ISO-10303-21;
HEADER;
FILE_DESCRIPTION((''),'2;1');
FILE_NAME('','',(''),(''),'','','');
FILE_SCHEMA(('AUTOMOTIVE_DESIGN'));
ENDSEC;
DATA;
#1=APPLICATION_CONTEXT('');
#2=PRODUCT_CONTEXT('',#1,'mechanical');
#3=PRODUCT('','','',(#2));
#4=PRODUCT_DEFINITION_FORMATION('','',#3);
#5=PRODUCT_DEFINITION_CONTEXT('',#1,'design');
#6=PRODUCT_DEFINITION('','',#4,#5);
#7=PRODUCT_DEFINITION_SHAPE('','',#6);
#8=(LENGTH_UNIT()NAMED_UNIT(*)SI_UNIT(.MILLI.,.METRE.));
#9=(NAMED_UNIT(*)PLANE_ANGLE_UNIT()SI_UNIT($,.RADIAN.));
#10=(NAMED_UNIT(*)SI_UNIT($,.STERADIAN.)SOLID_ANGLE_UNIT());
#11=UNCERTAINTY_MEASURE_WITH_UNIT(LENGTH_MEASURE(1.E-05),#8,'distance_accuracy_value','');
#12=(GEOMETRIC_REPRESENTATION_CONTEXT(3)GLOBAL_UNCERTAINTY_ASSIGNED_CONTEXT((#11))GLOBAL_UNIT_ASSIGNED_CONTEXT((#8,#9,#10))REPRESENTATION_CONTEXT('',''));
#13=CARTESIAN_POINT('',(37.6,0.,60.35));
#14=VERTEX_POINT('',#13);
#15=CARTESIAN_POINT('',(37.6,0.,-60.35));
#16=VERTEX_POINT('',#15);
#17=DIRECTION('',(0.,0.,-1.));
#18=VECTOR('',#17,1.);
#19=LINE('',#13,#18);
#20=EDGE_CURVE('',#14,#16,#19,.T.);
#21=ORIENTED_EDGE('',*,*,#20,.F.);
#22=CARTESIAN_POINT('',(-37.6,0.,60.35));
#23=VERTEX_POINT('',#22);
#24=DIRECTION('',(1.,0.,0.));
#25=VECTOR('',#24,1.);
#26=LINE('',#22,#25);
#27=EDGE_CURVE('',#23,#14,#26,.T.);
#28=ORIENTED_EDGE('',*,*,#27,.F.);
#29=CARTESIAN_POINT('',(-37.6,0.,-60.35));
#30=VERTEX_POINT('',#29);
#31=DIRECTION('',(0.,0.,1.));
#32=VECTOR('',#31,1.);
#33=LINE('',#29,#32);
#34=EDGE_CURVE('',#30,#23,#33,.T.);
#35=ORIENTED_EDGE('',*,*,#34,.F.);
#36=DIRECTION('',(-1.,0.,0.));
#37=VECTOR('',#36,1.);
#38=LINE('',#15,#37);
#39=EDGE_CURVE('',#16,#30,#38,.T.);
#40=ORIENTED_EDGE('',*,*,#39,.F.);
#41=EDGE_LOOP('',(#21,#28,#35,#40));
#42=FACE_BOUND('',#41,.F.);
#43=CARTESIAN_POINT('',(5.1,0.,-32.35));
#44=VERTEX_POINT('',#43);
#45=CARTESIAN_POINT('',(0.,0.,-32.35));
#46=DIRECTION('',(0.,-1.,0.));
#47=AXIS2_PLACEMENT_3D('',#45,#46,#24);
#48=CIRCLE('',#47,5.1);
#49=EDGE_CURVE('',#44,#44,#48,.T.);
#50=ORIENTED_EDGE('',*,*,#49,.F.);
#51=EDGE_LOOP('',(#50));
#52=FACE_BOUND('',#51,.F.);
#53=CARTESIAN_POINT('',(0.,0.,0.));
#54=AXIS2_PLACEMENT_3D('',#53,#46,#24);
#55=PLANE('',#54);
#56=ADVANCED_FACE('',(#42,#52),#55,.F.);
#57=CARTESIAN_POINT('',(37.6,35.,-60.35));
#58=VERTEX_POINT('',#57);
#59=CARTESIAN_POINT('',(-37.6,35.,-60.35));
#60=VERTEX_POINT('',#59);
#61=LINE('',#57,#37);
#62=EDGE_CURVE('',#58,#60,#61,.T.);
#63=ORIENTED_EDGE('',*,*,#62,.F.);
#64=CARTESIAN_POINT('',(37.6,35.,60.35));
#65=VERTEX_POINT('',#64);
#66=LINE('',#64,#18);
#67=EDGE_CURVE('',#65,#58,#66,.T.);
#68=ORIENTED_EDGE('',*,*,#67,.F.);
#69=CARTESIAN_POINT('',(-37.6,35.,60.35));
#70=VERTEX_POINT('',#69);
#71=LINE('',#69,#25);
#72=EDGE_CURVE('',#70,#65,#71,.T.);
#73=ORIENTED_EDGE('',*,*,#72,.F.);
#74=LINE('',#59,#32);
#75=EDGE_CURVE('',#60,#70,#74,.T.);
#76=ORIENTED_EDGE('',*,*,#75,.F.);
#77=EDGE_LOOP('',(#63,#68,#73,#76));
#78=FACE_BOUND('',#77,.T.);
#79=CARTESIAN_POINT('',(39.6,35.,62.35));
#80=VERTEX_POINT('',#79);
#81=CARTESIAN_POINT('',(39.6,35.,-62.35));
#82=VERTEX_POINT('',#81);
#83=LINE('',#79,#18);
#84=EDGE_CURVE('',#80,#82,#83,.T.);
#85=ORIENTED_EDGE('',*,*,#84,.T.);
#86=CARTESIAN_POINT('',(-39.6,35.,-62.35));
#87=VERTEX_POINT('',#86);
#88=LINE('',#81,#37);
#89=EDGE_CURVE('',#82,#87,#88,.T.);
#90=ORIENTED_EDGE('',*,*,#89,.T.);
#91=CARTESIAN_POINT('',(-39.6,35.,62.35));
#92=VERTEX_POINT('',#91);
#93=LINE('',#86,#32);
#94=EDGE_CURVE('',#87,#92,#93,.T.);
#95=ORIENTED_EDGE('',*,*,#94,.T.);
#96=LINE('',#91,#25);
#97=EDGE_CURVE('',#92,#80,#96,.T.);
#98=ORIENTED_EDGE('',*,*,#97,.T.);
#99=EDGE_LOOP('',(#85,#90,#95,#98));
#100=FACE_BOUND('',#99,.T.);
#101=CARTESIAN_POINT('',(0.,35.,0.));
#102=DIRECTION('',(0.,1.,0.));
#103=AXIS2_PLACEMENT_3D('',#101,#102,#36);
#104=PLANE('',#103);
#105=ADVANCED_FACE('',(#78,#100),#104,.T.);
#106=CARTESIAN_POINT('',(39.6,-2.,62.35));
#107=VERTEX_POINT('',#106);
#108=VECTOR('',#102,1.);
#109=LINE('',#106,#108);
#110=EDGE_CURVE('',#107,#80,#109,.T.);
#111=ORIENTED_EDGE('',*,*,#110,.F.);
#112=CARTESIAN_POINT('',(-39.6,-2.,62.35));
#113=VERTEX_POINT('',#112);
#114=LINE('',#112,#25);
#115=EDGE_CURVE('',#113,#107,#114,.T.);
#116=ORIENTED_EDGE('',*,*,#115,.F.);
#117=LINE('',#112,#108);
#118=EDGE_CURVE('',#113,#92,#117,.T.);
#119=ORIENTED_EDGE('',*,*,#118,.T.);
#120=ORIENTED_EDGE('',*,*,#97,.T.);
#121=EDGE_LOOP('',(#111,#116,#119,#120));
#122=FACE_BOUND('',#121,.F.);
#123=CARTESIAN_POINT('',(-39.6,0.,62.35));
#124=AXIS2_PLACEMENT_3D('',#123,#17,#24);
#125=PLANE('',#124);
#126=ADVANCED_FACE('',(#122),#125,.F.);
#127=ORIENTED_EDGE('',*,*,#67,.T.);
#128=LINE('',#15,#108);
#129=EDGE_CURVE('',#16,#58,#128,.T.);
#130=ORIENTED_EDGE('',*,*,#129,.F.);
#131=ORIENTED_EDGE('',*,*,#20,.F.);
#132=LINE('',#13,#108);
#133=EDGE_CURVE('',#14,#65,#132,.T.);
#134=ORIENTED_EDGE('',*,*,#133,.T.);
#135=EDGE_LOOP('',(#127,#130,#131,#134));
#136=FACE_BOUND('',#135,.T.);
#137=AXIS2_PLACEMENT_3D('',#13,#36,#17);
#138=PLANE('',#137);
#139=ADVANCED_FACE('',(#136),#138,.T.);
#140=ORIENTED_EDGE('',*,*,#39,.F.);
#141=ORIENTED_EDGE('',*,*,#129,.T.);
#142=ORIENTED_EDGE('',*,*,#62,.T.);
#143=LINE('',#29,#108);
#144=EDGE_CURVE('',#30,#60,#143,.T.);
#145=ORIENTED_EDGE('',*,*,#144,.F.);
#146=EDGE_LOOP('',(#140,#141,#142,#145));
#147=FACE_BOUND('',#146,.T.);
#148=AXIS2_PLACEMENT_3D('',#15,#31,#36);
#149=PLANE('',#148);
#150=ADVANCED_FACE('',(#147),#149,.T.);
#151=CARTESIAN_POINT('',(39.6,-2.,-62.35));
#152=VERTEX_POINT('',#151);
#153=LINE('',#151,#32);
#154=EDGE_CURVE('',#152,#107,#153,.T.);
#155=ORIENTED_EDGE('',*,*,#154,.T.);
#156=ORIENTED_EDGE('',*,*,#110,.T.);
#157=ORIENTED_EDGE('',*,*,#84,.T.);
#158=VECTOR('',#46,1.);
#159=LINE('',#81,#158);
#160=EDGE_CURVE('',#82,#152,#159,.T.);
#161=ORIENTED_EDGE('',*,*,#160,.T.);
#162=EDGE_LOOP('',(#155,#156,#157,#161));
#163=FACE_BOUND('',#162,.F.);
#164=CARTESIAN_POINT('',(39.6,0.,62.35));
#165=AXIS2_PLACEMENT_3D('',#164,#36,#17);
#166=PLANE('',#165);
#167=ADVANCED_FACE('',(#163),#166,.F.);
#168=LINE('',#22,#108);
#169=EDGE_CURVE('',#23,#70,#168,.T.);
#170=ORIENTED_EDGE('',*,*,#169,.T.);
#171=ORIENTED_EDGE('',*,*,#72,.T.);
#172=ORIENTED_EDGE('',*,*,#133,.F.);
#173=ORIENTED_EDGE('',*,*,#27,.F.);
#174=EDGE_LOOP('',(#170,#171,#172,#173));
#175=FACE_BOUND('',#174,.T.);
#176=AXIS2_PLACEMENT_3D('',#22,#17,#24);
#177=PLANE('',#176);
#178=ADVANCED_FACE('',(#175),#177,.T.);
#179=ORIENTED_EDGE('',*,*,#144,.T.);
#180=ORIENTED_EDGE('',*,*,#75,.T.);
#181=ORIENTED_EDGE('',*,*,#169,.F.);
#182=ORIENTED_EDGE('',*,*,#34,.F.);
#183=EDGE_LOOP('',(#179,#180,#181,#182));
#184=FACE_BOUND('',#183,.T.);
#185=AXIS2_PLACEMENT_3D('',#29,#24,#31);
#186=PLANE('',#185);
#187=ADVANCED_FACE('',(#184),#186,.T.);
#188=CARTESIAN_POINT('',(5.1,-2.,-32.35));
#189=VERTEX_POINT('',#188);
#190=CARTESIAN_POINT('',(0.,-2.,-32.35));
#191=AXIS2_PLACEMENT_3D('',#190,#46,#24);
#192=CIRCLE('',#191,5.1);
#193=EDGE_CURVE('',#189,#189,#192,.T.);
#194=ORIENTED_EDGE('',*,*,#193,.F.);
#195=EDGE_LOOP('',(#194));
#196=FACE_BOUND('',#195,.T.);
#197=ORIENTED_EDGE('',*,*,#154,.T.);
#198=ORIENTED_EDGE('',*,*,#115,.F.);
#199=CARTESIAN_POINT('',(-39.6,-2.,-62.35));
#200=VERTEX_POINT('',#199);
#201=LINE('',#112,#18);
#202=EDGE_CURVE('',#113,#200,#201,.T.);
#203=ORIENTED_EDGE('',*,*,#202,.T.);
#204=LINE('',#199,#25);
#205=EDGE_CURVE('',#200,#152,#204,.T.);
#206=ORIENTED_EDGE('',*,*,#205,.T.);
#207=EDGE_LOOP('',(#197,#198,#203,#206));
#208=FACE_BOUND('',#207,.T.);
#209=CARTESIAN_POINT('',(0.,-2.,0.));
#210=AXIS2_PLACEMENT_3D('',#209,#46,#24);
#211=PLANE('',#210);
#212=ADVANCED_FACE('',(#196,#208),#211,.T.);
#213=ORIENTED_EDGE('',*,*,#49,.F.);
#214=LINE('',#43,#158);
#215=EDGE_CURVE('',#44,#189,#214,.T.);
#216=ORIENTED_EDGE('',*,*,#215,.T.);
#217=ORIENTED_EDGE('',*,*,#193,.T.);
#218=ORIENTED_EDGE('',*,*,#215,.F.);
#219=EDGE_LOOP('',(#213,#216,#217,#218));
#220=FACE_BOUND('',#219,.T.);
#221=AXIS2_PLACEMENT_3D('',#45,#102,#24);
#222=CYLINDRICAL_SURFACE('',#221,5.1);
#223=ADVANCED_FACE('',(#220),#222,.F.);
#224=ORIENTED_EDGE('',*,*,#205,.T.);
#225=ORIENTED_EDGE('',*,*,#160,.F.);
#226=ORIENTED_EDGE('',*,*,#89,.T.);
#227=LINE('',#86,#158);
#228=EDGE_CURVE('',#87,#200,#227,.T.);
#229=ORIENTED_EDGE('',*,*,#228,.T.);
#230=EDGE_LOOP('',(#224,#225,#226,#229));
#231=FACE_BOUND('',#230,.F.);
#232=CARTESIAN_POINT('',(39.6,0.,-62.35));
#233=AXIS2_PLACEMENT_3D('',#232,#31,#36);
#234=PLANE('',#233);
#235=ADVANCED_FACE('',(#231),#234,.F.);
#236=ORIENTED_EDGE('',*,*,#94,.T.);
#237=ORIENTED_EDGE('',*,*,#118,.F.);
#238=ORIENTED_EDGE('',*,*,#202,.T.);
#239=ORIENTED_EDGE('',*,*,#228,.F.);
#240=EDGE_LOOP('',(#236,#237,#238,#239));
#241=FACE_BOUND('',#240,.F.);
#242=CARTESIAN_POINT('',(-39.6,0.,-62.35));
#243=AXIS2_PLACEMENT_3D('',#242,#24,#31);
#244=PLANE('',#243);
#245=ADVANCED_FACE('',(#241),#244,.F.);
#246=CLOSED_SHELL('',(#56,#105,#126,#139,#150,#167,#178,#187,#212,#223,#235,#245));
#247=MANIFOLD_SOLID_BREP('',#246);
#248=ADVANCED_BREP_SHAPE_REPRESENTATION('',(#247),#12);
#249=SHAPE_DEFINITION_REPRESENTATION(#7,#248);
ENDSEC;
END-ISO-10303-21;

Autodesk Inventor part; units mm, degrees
ref_plane "YZ Plane" through (0, 0, 0) normal (1, 0, 0) x (0, 1, 0)
ref_plane "XZ Plane" through (0, 0, 0) normal (0, 1, 0) x (-1, 0, 0)
ref_plane "XY Plane" through (0, 0, 0) normal (0, 0, 1) x (1, 0, 0)
sketch "Sketch1" plane through (0, 0, 0) normal (0, 1, 0) x (-1, 0, 0)
  line L0 (37.6, 60.35) -> (-37.6, 60.35)
  line L1 (-37.6, 60.35) -> (-37.6, -60.35)
  line L2 (-37.6, -60.35) -> (37.6, -60.35)
  line L3 (37.6, -60.35) -> (37.6, 60.35)
  line L4 (37.6, 60.35) -> (-37.6, -60.35) construction
  line L5 (-37.6, 60.35) -> (37.6, -60.35) construction
  line L6 (39.6, 62.35) -> (-39.6, 62.35)
  line L7 (-39.6, 62.35) -> (-39.6, -62.35)
  line L8 (-39.6, -62.35) -> (39.6, -62.35)
  line L9 (39.6, -62.35) -> (39.6, 62.35)
  point P0 (0, 0)
  dimension "d0" = 120.7
  dimension "d1" = 75.2
  dimension "d2" = 2
  dimension "d3" = 2
  dimension "d4" = 2
  dimension "d5" = 2
extrude "Extrusion1" add sketch "Sketch1" along normal blind 35
sketch "Sketch4" plane through (0, 0, 0) normal (0, -1, 0) x (1, 0, 0)
  line L0 (-39.6, 62.35) -> (39.6, 62.35) projected
  line L1 (39.6, 62.35) -> (-39.6, 62.35)
  line L2 (-39.6, 62.35) -> (-39.6, -62.35)
  line L3 (-39.6, -62.35) -> (39.6, -62.35)
  line L4 (39.6, -62.35) -> (39.6, 62.35)
  circle A0 centre (0, -32.35) radius 5.1
  line L5 (-37.6, 60.35) -> (-37.6, -60.35) projected
  point P0 (0, 0)
  point P1 (-39.6, 62.35)
  dimension "d13" = 10.2
  dimension "d14" = 37.6
  dimension "d15" = 30
extrude "Extrusion3" add sketch "Sketch4" along normal blind 2
